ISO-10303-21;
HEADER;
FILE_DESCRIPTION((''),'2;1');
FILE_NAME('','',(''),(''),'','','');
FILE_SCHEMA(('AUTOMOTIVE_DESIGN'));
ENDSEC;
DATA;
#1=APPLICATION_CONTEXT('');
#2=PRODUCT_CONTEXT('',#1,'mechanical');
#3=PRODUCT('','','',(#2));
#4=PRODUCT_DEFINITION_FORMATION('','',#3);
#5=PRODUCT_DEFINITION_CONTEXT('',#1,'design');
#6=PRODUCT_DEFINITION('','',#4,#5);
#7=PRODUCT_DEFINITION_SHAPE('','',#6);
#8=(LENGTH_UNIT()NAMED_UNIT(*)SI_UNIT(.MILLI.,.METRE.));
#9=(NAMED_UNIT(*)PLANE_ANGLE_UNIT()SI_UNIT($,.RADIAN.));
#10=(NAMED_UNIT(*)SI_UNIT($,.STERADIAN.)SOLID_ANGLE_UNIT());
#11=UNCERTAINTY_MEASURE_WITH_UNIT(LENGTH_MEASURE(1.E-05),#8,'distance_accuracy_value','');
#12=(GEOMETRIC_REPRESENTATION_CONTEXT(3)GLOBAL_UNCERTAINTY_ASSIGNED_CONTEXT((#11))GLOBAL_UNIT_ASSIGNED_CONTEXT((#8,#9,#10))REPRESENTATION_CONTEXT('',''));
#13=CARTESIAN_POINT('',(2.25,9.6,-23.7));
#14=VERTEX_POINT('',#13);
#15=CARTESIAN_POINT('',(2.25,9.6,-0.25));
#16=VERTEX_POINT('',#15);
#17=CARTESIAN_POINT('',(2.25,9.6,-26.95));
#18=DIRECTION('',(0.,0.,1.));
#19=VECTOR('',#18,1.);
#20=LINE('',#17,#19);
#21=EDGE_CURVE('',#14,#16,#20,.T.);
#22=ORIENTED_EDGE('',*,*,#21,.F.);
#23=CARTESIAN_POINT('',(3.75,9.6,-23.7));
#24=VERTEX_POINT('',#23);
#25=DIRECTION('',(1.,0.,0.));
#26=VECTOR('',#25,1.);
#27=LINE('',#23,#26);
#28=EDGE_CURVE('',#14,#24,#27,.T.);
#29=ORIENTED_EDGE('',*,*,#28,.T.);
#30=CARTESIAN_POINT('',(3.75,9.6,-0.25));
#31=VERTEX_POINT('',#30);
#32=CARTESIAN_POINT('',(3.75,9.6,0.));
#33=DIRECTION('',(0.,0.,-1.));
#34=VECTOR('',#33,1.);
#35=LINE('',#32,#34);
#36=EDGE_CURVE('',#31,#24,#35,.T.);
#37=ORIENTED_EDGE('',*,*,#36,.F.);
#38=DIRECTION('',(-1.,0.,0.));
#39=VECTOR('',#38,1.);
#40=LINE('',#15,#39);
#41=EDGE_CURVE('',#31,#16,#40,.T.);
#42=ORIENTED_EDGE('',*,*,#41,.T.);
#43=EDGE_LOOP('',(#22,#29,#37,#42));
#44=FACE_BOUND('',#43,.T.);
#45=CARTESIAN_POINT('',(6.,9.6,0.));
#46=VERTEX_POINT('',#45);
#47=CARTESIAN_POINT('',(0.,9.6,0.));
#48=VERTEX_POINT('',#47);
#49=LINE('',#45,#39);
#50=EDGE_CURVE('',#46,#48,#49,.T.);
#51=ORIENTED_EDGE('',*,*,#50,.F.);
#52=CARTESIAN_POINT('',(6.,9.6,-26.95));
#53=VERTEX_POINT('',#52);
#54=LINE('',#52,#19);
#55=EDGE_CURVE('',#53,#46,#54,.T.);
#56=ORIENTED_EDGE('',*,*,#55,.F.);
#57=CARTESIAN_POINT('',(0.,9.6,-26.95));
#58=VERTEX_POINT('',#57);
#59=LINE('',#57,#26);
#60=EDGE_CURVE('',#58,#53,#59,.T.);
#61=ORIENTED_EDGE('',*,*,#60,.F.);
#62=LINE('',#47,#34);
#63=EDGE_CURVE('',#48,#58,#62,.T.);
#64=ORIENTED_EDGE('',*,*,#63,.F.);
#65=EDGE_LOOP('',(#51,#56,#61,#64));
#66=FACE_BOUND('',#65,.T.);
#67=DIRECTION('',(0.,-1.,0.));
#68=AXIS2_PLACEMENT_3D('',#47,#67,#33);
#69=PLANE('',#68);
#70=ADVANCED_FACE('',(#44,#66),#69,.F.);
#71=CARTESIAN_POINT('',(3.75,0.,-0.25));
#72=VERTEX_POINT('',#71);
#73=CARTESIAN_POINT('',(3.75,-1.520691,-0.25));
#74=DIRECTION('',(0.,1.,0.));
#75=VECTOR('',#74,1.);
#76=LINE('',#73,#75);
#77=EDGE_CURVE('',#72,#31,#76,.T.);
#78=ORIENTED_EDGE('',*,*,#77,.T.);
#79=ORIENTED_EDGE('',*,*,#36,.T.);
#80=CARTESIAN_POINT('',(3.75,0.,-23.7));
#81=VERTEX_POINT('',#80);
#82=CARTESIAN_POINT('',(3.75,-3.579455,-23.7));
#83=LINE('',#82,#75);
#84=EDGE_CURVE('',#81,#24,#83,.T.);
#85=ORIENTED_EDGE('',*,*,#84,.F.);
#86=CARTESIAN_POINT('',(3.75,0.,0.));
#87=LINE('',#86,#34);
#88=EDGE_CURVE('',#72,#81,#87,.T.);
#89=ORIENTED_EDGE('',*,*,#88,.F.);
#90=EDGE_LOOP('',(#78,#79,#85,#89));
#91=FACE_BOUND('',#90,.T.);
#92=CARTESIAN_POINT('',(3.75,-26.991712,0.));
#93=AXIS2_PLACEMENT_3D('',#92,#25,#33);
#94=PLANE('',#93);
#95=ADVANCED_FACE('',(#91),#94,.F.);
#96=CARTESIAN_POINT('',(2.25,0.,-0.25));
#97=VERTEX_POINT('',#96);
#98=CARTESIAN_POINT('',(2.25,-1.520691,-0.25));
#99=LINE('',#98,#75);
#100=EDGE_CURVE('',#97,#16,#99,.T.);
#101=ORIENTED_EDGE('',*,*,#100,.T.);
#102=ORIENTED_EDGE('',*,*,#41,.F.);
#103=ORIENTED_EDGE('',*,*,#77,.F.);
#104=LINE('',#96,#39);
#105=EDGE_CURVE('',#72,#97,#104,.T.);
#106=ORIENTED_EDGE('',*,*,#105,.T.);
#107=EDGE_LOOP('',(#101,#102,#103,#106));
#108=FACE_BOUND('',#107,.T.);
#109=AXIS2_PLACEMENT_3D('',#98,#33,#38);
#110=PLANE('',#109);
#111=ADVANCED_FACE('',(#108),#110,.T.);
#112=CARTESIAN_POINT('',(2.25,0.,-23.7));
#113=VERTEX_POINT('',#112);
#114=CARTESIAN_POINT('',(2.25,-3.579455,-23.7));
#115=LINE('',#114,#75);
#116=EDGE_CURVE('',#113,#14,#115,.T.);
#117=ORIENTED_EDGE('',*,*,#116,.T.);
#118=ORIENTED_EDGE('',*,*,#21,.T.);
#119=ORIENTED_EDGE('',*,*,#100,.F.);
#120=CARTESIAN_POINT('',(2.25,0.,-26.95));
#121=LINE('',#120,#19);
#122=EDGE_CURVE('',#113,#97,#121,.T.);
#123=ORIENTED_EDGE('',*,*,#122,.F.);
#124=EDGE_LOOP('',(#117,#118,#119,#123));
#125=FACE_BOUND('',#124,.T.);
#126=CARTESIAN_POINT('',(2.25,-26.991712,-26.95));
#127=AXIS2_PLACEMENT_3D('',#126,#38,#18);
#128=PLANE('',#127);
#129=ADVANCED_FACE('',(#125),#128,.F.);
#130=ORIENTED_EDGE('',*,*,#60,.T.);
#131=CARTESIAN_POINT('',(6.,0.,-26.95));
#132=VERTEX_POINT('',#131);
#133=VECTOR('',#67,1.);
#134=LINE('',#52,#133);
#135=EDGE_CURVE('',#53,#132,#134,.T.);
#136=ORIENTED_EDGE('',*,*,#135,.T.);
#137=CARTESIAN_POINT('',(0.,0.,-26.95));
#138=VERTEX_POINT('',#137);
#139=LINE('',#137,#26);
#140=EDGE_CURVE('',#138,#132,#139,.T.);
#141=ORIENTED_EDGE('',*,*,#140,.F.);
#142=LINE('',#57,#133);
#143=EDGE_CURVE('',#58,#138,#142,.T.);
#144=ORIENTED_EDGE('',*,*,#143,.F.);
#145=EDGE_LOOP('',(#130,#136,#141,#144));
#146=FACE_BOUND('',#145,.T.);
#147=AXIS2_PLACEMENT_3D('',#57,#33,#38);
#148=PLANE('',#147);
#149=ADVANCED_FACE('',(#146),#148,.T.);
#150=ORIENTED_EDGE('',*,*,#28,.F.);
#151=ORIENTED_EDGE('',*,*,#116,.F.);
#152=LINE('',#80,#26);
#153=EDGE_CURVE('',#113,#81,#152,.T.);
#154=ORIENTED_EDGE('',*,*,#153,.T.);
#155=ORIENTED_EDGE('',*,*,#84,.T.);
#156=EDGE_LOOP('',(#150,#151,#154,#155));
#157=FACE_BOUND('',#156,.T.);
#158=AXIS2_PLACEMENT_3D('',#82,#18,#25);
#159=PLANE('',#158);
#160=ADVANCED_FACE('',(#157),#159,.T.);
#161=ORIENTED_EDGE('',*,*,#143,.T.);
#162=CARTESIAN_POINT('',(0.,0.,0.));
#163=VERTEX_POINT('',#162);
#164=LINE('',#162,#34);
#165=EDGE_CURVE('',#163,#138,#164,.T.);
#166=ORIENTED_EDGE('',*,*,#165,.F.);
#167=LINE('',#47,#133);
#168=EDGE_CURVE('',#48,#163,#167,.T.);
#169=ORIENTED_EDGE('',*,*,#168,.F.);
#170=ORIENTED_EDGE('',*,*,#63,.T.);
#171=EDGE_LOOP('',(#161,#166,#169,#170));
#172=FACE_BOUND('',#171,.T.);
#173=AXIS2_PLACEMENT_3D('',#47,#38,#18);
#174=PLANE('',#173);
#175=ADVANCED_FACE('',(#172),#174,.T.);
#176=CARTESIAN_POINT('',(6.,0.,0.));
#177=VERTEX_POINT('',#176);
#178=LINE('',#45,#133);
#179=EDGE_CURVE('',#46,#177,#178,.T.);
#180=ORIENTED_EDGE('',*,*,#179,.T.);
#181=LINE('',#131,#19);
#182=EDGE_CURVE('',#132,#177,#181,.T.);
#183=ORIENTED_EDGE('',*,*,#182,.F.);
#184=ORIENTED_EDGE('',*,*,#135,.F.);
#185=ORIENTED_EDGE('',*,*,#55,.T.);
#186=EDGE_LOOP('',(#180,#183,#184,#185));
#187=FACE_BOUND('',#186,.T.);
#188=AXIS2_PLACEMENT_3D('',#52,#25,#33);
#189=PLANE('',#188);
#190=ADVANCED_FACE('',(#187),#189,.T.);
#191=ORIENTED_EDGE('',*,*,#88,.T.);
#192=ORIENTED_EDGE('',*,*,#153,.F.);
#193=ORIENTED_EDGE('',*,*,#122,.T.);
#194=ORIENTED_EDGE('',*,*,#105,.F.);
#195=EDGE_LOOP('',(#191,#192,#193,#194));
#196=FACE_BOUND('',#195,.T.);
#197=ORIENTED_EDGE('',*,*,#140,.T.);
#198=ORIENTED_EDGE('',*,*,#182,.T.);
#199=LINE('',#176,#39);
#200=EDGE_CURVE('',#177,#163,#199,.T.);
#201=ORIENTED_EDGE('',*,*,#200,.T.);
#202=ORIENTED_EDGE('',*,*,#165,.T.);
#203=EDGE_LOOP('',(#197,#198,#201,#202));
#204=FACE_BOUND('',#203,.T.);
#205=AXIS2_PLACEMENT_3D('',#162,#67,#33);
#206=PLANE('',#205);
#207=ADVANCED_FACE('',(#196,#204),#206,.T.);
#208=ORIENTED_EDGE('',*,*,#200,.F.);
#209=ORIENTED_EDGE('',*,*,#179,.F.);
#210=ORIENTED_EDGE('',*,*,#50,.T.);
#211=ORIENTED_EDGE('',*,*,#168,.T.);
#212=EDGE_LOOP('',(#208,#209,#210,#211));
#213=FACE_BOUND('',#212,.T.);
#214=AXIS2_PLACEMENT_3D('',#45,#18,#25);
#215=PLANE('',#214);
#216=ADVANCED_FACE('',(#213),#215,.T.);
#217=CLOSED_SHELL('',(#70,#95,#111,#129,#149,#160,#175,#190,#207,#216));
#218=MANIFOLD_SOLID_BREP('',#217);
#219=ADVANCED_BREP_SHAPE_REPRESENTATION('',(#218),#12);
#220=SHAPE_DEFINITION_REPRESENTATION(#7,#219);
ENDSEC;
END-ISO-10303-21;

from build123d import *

# Parameters (mm, degrees)
SKETCH2_W           = 6
SKETCH2_H           = 26.95
BOSS_EXTRUDE1_DEPTH = 9.6
CUT_EXTRUDE2_DEPTH  = 9.6
SKETCH7_W           = 1.5
SKETCH7_H           = 0.25
BOSS_EXTRUDE2_DEPTH = 9.6
SKETCH8_W           = 1.5
SKETCH8_H           = 3.25
BOSS_EXTRUDE3_DEPTH = 9.6


with BuildPart() as part:
    # Sketch2 → Boss-Extrude1 (new body)
    with BuildSketch(Plane(origin=(0, 0, 0), x_dir=(1, 0, 0), z_dir=(0, 1, 0))):
        with Locations((3, 13.475)):
            Rectangle(SKETCH2_W, SKETCH2_H)
    extrude(amount=BOSS_EXTRUDE1_DEPTH)

    # Sketch3 → Cut-Extrude2 (cut)
    with BuildSketch(Plane(origin=(0, 9.6, 0), x_dir=(1, 0, 0), z_dir=(0, 1, 0))):
        Polygon((3, 26.95), (2.25, 26.95), (2.25, 0), (3.75, 0), (3.75, 26.95), align=None)
    extrude(amount=-CUT_EXTRUDE2_DEPTH, mode=Mode.SUBTRACT)


with BuildPart() as cut_extrude2_piece_1:
    # of the separate pieces the step leaves, piece 1, a body of its own (cut_extrude2_pieces)
    add(part.part.solids().sort_by_distance((6, 0, 0))[0])



with BuildPart() as cut_extrude2_piece_2:
    # of the separate pieces the step leaves, piece 2, a body of its own (cut_extrude2_pieces)
    add(part.part.solids().sort_by_distance((0, 0, 0))[0])


with BuildPart() as cut_extrude2_piece_1_1:
    add(cut_extrude2_piece_1.part)

    add(cut_extrude2_piece_2.part)  # Boss-Extrude2 merges Cut-Extrude2 piece 2
    # Sketch7 → Boss-Extrude2 (add)
    with BuildSketch(Plane(origin=(0, 9.6, 0), x_dir=(1, 0, 0), z_dir=(0, 1, 0))):
        with Locations((3, 0.125)):
            Rectangle(SKETCH7_W, SKETCH7_H)
    extrude(amount=-BOSS_EXTRUDE2_DEPTH)

    # Sketch8 → Boss-Extrude3 (add)
    with BuildSketch(Plane(origin=(0, 9.6, 0), x_dir=(1, 0, 0), z_dir=(0, 1, 0))):
        with Locations((3, 25.325)):
            Rectangle(SKETCH8_W, SKETCH8_H)
    extrude(amount=-BOSS_EXTRUDE3_DEPTH)


solid = cut_extrude2_piece_1_1.part
